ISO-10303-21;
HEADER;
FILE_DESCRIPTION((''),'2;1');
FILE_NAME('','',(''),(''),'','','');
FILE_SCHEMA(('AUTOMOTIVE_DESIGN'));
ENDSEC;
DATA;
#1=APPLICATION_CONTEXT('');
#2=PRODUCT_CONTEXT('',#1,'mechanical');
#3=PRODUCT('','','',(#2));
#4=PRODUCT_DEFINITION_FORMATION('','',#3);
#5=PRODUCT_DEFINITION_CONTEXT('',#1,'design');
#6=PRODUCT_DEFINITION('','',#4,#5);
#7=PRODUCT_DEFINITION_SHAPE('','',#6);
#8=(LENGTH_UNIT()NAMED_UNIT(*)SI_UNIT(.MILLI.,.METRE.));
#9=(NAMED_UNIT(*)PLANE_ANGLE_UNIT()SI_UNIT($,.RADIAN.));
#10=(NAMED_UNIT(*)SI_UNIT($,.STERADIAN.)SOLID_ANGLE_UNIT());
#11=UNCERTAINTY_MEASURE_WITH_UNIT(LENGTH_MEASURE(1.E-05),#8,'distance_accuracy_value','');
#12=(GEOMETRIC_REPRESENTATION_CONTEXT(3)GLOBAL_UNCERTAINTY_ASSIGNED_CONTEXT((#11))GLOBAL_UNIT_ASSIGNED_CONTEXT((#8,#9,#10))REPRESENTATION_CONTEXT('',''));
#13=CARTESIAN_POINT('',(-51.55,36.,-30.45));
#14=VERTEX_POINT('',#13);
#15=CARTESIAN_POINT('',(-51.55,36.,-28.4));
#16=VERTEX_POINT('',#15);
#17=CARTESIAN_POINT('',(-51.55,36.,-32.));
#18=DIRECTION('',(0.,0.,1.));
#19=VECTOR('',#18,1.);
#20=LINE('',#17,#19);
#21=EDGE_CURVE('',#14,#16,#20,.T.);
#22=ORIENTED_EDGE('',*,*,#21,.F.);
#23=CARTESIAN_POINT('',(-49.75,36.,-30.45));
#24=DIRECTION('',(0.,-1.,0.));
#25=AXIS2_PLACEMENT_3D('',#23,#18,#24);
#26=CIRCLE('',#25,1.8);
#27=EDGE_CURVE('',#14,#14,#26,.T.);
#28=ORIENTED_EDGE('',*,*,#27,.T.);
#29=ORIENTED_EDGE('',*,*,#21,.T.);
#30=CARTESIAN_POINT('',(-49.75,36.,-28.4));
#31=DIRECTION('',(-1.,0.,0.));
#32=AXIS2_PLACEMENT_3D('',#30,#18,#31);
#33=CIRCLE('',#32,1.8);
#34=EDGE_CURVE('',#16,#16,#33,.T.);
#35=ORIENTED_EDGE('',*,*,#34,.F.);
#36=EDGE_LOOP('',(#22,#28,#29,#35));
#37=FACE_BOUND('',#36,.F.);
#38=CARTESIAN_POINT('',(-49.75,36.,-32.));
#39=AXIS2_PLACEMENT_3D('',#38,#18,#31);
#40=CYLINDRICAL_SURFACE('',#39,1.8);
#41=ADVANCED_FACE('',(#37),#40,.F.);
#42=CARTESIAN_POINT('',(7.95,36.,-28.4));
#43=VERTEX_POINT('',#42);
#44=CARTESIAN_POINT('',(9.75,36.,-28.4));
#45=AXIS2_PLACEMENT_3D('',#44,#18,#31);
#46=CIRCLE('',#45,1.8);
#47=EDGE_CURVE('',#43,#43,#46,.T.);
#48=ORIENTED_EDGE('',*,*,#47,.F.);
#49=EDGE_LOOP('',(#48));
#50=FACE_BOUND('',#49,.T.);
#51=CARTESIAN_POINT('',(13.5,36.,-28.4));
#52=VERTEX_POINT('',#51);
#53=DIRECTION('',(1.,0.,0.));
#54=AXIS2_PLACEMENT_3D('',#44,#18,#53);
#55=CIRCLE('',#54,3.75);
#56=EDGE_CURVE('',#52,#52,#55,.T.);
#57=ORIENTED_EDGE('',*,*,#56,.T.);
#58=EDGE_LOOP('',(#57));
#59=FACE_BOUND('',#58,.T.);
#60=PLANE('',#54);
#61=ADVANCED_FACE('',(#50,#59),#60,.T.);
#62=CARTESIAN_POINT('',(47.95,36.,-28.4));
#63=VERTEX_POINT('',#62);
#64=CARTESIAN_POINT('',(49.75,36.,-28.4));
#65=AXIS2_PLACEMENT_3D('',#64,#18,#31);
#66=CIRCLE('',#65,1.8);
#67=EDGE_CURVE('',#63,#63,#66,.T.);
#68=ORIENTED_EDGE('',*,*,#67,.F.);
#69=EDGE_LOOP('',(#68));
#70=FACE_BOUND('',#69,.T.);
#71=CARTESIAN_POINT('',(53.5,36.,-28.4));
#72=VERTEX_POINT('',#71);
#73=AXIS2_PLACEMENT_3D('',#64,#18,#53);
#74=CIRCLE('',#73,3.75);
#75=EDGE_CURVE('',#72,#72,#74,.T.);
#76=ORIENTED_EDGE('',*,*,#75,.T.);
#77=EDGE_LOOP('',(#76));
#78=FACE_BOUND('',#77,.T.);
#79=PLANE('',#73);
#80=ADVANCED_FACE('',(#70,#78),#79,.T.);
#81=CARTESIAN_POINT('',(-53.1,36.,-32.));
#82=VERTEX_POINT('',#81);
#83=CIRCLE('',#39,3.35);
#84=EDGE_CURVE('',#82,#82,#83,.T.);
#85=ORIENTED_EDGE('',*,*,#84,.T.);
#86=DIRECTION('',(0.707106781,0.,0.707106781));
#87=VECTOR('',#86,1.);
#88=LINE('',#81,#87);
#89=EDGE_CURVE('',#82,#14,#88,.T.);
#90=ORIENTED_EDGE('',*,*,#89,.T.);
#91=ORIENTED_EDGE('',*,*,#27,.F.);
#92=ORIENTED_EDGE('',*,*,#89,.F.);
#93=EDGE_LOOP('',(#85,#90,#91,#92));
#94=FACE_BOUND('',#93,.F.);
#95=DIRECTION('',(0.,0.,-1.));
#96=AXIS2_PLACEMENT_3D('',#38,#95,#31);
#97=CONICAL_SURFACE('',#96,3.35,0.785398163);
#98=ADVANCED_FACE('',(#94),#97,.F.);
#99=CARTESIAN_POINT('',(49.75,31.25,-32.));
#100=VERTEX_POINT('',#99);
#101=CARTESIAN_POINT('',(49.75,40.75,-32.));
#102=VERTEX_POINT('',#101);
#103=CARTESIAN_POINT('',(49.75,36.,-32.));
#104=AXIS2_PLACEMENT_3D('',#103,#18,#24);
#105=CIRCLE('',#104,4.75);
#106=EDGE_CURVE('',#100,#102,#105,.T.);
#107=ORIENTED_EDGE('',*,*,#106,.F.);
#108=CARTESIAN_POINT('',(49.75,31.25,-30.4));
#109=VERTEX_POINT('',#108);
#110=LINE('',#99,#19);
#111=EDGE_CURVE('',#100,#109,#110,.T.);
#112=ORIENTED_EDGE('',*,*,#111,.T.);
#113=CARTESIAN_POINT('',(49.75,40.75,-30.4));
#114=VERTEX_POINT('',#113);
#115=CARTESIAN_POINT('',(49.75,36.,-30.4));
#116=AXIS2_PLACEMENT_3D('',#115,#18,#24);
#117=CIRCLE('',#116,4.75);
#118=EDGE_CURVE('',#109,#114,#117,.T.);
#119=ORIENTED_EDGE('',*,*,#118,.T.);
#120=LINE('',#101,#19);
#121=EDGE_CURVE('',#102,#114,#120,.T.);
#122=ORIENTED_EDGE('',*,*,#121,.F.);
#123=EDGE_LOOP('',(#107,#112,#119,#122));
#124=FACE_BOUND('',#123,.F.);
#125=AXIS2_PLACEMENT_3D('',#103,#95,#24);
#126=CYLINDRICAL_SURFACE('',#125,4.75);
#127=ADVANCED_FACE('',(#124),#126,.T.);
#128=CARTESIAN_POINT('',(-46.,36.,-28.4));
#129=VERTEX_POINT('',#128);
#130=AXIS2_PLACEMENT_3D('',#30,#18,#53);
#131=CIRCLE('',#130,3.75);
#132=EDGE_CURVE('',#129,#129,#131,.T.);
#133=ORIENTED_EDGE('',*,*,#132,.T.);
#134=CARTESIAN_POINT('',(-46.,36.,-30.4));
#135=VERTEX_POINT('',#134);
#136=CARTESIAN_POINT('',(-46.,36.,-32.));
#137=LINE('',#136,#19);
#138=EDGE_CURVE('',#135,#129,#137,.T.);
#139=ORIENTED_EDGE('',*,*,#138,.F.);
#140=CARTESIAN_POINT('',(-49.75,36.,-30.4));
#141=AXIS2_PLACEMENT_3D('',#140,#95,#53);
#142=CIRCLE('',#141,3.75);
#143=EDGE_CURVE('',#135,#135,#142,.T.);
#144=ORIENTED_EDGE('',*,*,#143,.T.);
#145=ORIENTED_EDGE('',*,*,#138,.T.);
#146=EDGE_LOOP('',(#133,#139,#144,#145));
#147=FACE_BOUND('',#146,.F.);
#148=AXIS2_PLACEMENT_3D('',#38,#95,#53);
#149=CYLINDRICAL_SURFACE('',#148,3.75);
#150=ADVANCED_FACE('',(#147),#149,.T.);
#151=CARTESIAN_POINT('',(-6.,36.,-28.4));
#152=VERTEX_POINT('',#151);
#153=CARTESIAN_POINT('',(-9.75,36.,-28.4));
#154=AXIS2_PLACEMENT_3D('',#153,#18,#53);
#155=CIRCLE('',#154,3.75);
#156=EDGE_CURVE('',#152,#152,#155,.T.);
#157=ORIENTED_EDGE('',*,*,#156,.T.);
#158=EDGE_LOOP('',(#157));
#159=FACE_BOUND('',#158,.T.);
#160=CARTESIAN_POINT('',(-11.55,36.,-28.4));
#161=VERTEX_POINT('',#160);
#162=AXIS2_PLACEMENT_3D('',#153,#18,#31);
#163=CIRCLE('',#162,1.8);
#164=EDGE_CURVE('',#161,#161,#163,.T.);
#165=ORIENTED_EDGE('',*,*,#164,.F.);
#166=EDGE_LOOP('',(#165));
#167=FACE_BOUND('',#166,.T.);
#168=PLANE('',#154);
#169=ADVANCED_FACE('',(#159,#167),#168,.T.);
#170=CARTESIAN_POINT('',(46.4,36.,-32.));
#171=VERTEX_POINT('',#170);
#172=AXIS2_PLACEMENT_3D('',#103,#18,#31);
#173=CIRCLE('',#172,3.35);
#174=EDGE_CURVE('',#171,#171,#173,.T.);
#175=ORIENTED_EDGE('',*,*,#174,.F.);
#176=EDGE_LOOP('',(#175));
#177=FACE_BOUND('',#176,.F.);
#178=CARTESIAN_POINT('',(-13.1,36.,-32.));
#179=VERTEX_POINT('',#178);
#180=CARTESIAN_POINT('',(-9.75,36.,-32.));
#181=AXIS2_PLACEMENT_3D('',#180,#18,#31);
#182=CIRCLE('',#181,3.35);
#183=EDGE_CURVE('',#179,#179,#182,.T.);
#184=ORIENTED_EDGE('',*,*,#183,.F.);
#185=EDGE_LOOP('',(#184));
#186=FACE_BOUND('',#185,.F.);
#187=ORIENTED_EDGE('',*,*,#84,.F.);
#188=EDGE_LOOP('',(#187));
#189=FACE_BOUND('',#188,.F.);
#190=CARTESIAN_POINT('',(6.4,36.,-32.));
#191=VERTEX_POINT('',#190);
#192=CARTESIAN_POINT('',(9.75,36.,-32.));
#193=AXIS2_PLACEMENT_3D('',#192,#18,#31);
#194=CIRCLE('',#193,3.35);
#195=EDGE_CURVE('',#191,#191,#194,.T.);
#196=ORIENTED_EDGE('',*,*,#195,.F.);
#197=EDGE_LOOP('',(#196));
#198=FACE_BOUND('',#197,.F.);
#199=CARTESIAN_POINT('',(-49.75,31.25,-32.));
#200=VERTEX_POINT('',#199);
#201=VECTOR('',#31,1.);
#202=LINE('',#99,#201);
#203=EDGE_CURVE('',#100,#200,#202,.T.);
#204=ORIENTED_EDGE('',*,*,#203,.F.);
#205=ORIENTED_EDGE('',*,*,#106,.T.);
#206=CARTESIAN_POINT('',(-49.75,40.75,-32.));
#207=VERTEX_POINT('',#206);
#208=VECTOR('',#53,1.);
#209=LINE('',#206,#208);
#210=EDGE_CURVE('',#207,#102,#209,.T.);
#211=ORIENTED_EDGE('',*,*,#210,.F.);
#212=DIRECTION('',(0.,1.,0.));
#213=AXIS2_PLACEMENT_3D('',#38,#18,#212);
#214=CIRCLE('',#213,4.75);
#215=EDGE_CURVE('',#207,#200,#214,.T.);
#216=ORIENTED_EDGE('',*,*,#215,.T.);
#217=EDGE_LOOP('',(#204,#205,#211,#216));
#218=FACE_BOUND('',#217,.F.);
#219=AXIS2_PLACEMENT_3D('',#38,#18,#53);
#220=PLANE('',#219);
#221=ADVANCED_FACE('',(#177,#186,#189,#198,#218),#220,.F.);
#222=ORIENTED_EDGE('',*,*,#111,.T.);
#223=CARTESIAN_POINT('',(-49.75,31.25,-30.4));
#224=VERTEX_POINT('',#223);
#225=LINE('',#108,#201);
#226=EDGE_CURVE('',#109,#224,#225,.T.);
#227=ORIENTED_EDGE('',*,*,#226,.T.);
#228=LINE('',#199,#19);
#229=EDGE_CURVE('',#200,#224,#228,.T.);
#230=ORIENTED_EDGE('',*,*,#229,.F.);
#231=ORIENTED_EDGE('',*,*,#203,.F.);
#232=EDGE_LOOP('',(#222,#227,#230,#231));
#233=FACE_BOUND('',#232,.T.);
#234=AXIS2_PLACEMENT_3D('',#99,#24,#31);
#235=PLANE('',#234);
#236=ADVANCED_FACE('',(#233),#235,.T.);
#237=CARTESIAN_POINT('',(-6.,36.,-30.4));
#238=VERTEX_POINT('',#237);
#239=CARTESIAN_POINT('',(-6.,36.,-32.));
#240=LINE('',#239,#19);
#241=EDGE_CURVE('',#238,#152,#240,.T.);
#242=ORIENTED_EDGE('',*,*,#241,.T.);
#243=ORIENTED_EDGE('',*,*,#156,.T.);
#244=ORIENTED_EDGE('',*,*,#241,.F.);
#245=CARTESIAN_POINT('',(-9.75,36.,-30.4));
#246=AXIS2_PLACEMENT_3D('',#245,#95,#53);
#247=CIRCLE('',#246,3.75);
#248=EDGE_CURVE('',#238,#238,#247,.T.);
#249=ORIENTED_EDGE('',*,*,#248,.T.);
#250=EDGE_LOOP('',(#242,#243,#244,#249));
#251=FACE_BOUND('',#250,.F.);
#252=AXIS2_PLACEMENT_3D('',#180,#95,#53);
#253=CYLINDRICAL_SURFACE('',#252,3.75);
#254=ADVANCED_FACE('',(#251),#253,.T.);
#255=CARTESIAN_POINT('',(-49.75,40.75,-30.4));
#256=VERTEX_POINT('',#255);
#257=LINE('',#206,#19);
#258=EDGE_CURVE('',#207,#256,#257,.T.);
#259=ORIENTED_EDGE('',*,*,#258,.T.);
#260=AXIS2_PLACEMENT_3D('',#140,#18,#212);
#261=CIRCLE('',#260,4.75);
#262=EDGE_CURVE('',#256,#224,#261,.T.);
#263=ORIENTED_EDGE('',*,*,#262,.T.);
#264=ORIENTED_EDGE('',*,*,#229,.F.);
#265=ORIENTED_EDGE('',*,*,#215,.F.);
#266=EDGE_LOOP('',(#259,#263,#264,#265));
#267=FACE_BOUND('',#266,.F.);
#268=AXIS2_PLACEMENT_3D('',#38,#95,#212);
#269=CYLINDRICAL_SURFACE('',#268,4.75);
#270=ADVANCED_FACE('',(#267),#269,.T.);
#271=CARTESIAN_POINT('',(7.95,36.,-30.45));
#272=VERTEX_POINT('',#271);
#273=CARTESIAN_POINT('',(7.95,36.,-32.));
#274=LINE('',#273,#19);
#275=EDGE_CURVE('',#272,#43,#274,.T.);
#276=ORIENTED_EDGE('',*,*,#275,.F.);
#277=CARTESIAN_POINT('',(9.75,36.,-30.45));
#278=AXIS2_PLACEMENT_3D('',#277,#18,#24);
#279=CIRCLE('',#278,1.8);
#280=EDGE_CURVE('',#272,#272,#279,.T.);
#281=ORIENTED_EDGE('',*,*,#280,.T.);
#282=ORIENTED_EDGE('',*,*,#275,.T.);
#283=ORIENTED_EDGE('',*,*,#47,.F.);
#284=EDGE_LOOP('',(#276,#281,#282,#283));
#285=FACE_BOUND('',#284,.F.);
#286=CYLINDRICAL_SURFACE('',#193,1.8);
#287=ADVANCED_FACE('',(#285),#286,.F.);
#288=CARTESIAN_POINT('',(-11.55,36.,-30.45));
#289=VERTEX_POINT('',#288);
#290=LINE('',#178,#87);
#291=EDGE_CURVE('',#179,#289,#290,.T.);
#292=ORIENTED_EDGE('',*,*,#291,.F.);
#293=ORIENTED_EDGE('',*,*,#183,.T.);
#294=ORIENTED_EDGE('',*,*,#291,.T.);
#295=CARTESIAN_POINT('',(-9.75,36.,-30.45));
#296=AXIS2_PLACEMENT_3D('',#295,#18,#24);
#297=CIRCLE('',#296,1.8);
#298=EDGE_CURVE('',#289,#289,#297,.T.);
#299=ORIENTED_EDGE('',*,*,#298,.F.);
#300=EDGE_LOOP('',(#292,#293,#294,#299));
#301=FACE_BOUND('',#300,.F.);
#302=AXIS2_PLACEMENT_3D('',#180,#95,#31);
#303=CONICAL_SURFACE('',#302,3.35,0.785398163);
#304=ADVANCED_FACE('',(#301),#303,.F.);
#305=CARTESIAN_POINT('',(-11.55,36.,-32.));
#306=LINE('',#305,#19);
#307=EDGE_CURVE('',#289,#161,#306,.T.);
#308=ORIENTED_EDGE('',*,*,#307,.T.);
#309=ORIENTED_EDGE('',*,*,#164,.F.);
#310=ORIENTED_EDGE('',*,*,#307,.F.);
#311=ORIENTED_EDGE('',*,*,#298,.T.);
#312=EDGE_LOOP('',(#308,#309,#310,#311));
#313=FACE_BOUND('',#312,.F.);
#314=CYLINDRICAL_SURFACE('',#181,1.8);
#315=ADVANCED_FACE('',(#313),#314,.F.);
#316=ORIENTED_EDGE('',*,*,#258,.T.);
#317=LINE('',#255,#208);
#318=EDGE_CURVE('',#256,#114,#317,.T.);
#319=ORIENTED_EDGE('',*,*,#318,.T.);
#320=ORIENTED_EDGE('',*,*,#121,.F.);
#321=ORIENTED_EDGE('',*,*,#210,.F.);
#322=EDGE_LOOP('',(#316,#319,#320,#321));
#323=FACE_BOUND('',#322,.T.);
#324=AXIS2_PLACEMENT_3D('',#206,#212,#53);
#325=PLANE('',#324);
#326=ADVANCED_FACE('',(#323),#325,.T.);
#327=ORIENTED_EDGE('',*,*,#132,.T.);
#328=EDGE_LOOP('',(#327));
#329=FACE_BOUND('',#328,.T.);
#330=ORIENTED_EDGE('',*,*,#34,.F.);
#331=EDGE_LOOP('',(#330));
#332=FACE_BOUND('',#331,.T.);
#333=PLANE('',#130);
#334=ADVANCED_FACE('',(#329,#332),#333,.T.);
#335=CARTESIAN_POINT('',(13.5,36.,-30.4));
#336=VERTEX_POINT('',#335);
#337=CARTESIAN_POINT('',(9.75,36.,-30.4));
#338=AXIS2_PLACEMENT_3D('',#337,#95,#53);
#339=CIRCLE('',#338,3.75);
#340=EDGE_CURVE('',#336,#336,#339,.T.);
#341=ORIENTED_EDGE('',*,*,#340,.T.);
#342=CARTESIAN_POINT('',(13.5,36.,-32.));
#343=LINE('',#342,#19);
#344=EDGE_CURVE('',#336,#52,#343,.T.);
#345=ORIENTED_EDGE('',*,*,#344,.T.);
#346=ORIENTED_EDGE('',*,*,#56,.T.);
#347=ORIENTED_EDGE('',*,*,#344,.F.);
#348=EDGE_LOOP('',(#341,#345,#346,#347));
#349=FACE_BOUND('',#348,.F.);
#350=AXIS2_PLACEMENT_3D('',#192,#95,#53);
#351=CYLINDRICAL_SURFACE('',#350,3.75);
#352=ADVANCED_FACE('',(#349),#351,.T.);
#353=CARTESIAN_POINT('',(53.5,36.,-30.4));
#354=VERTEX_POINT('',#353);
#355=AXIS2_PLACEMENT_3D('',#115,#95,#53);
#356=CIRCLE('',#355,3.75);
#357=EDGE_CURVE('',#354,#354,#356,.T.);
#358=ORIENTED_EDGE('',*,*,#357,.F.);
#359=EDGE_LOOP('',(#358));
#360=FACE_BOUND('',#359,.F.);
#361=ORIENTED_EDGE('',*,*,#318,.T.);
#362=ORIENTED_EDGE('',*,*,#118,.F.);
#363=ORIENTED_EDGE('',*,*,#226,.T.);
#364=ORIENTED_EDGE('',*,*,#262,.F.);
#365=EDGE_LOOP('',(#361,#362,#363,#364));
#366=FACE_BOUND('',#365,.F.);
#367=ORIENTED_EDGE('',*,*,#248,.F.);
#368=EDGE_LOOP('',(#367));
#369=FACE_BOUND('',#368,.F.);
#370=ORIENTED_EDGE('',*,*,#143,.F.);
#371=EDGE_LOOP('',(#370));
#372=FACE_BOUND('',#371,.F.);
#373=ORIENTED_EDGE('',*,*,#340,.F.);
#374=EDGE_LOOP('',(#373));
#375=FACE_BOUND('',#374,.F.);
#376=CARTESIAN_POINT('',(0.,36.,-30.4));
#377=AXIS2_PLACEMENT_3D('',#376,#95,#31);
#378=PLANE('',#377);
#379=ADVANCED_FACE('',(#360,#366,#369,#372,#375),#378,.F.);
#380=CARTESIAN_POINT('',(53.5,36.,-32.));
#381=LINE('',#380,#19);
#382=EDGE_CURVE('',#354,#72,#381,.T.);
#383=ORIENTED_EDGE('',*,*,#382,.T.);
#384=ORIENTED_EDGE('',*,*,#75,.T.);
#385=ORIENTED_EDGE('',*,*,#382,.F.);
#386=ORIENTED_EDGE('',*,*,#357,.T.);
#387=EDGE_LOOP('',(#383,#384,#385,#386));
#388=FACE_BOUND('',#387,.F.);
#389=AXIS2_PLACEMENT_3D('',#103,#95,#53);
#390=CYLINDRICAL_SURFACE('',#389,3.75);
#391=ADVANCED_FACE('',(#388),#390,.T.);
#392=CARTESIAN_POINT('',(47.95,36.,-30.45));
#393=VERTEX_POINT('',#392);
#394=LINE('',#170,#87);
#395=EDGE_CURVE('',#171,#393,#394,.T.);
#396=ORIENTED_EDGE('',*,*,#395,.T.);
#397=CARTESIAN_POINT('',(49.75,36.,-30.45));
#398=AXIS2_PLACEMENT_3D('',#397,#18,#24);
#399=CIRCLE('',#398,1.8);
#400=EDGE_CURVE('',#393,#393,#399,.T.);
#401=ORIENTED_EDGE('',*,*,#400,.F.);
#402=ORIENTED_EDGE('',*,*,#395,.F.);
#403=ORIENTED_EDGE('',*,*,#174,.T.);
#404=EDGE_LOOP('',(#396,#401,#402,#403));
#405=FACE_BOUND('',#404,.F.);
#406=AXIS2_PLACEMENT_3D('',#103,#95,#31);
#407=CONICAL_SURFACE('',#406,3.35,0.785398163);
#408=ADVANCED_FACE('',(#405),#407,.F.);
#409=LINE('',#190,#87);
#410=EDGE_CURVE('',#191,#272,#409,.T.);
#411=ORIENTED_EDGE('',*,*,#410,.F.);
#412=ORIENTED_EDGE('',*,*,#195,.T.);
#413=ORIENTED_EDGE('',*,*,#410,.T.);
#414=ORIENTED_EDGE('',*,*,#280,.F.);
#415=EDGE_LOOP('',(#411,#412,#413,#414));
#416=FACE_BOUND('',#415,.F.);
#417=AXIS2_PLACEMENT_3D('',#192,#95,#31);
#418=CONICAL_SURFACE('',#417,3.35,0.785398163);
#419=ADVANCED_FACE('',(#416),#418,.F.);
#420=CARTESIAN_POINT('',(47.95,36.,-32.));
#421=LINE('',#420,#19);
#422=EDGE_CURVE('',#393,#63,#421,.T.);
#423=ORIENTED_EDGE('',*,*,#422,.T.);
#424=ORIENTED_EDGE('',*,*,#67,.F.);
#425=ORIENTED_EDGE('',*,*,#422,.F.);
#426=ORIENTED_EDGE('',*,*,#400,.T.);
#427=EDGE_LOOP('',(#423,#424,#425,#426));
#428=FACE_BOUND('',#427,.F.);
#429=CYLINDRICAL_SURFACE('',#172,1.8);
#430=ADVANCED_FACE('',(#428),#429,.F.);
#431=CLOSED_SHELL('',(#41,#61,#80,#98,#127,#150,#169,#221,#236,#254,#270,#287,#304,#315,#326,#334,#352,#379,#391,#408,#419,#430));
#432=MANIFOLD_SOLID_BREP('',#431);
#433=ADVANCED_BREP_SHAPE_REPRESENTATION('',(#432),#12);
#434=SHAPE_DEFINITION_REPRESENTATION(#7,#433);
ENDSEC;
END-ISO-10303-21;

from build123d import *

# Parameters (mm, degrees)
PAD003_DEPTH        = 1.6
SKETCH006_R         = 3.75
PAD004_DEPTH        = 3.6
HOLE001_D           = 3.6
HOLE001_DEPTH       = 25
HOLE001_CSINK_D     = 6.7
HOLE001_CSINK_ANGLE = 90


with BuildPart() as part:
    # Sketch005 → Pad003 (new body)
    with BuildSketch(Plane.XY):
        with BuildLine():
            Line((-49.75, 4.75), (49.75, 4.75))
            ThreePointArc((49.75, -4.75), (54.5, 0), (49.75, 4.75))
            Line((49.75, -4.75), (-49.75, -4.75))
            ThreePointArc((-49.75, 4.75), (-54.5, 0), (-49.75, -4.75))
        make_face()
    extrude(amount=PAD003_DEPTH)

    # Sketch006 → Pad004 (join)
    with BuildSketch(Plane.XY):
        with Locations((-49.75, 0)):
            Circle(SKETCH006_R)
        with Locations((-9.75, 0)):
            Circle(SKETCH006_R)
        with Locations((9.75, 0)):
            Circle(SKETCH006_R)
        with Locations((49.75, 0)):
            Circle(SKETCH006_R)
    extrude(amount=PAD004_DEPTH)

    # Hole001
    with Locations(Plane(origin=(0, 0, 0), x_dir=(1, 0, 0), z_dir=(0, 0, -1))):
        with Locations((-49.75, 0), (-9.75, 0), (9.75, 0), (49.75, 0)):
            CounterSinkHole(HOLE001_D / 2, HOLE001_CSINK_D / 2, depth=HOLE001_DEPTH, counter_sink_angle=HOLE001_CSINK_ANGLE)


with BuildPart() as part_1:
    # Body001 placement: moved
    add(part.part.moved(Location((0, 36, -32))))


solid = part_1.part
